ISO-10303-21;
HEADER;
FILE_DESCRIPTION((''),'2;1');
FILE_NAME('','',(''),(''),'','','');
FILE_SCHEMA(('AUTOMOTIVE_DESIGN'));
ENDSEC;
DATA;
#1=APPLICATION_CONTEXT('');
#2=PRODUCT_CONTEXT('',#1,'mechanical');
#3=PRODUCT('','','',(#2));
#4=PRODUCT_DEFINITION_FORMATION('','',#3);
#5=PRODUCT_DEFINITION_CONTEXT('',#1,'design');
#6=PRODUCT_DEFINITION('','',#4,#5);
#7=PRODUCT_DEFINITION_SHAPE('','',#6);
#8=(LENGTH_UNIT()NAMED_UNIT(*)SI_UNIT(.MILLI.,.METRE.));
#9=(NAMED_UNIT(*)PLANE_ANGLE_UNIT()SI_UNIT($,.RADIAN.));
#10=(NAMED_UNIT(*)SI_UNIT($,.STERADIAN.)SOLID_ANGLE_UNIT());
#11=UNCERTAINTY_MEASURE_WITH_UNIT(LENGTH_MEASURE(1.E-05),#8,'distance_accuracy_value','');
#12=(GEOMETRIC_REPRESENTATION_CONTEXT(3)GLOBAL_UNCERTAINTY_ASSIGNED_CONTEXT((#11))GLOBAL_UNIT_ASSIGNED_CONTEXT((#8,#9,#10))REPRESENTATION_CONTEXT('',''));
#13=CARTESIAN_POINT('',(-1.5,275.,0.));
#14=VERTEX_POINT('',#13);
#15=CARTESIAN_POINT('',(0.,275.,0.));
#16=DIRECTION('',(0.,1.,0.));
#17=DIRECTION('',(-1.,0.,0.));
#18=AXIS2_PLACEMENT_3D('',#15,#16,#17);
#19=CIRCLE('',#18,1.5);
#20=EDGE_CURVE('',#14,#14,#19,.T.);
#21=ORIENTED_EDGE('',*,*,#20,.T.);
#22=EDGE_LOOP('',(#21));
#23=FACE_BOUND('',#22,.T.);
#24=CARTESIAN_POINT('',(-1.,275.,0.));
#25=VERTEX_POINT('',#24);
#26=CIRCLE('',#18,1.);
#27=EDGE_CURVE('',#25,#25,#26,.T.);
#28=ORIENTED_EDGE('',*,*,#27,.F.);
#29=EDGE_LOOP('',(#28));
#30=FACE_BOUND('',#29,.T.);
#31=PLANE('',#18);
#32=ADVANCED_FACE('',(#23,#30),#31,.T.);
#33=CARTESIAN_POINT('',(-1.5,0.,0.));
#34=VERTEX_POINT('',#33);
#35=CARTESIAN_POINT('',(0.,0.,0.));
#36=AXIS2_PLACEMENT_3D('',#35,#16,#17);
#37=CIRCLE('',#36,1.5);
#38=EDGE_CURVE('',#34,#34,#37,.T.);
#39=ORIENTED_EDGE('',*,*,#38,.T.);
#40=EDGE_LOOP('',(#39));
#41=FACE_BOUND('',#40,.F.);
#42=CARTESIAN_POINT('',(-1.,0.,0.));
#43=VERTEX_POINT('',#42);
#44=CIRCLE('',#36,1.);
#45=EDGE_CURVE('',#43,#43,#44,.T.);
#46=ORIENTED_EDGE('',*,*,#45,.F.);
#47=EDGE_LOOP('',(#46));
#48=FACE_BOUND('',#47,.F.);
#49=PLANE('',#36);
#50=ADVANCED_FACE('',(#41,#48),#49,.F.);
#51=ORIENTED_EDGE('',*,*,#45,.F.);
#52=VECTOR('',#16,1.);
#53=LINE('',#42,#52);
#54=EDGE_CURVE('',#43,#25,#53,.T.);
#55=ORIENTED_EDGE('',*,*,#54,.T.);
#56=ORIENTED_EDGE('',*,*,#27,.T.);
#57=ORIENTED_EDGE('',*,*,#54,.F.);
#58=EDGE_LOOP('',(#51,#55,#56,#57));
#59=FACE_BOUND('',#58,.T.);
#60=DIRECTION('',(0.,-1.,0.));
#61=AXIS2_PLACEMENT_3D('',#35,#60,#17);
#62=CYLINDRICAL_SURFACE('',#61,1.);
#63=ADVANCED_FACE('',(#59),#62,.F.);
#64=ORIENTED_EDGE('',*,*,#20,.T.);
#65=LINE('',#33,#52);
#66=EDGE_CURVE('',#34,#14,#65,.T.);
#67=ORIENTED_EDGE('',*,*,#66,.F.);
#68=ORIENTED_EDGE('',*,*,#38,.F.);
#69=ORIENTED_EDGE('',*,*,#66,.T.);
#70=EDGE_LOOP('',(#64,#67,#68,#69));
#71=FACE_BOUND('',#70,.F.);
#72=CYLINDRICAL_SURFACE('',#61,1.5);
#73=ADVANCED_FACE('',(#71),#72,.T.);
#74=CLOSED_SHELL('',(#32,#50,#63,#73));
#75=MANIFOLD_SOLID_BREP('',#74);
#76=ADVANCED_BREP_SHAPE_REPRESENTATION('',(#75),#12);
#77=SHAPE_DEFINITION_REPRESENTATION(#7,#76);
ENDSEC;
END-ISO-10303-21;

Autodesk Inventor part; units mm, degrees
ref_plane "YZ Plane" through (0, 0, 0) normal (1, 0, 0) x (0, 1, 0)
ref_plane "XZ Plane" through (0, 0, 0) normal (0, 1, 0) x (-1, 0, 0)
ref_plane "XY Plane" through (0, 0, 0) normal (0, 0, 1) x (1, 0, 0)
sketch "Sketch1" plane through (0, 0, 0) normal (0, 1, 0) x (-1, 0, 0)
  circle A0 centre (0, 0) radius 1.5
  circle A1 centre (0, 0) radius 1
  dimension "d0" = 3
  dimension "d3" = 2
extrude "Extrusion1" add sketch "Sketch1" along normal blind 275
properties part number "5P.00.07.01-IB-Rear-Spar"
